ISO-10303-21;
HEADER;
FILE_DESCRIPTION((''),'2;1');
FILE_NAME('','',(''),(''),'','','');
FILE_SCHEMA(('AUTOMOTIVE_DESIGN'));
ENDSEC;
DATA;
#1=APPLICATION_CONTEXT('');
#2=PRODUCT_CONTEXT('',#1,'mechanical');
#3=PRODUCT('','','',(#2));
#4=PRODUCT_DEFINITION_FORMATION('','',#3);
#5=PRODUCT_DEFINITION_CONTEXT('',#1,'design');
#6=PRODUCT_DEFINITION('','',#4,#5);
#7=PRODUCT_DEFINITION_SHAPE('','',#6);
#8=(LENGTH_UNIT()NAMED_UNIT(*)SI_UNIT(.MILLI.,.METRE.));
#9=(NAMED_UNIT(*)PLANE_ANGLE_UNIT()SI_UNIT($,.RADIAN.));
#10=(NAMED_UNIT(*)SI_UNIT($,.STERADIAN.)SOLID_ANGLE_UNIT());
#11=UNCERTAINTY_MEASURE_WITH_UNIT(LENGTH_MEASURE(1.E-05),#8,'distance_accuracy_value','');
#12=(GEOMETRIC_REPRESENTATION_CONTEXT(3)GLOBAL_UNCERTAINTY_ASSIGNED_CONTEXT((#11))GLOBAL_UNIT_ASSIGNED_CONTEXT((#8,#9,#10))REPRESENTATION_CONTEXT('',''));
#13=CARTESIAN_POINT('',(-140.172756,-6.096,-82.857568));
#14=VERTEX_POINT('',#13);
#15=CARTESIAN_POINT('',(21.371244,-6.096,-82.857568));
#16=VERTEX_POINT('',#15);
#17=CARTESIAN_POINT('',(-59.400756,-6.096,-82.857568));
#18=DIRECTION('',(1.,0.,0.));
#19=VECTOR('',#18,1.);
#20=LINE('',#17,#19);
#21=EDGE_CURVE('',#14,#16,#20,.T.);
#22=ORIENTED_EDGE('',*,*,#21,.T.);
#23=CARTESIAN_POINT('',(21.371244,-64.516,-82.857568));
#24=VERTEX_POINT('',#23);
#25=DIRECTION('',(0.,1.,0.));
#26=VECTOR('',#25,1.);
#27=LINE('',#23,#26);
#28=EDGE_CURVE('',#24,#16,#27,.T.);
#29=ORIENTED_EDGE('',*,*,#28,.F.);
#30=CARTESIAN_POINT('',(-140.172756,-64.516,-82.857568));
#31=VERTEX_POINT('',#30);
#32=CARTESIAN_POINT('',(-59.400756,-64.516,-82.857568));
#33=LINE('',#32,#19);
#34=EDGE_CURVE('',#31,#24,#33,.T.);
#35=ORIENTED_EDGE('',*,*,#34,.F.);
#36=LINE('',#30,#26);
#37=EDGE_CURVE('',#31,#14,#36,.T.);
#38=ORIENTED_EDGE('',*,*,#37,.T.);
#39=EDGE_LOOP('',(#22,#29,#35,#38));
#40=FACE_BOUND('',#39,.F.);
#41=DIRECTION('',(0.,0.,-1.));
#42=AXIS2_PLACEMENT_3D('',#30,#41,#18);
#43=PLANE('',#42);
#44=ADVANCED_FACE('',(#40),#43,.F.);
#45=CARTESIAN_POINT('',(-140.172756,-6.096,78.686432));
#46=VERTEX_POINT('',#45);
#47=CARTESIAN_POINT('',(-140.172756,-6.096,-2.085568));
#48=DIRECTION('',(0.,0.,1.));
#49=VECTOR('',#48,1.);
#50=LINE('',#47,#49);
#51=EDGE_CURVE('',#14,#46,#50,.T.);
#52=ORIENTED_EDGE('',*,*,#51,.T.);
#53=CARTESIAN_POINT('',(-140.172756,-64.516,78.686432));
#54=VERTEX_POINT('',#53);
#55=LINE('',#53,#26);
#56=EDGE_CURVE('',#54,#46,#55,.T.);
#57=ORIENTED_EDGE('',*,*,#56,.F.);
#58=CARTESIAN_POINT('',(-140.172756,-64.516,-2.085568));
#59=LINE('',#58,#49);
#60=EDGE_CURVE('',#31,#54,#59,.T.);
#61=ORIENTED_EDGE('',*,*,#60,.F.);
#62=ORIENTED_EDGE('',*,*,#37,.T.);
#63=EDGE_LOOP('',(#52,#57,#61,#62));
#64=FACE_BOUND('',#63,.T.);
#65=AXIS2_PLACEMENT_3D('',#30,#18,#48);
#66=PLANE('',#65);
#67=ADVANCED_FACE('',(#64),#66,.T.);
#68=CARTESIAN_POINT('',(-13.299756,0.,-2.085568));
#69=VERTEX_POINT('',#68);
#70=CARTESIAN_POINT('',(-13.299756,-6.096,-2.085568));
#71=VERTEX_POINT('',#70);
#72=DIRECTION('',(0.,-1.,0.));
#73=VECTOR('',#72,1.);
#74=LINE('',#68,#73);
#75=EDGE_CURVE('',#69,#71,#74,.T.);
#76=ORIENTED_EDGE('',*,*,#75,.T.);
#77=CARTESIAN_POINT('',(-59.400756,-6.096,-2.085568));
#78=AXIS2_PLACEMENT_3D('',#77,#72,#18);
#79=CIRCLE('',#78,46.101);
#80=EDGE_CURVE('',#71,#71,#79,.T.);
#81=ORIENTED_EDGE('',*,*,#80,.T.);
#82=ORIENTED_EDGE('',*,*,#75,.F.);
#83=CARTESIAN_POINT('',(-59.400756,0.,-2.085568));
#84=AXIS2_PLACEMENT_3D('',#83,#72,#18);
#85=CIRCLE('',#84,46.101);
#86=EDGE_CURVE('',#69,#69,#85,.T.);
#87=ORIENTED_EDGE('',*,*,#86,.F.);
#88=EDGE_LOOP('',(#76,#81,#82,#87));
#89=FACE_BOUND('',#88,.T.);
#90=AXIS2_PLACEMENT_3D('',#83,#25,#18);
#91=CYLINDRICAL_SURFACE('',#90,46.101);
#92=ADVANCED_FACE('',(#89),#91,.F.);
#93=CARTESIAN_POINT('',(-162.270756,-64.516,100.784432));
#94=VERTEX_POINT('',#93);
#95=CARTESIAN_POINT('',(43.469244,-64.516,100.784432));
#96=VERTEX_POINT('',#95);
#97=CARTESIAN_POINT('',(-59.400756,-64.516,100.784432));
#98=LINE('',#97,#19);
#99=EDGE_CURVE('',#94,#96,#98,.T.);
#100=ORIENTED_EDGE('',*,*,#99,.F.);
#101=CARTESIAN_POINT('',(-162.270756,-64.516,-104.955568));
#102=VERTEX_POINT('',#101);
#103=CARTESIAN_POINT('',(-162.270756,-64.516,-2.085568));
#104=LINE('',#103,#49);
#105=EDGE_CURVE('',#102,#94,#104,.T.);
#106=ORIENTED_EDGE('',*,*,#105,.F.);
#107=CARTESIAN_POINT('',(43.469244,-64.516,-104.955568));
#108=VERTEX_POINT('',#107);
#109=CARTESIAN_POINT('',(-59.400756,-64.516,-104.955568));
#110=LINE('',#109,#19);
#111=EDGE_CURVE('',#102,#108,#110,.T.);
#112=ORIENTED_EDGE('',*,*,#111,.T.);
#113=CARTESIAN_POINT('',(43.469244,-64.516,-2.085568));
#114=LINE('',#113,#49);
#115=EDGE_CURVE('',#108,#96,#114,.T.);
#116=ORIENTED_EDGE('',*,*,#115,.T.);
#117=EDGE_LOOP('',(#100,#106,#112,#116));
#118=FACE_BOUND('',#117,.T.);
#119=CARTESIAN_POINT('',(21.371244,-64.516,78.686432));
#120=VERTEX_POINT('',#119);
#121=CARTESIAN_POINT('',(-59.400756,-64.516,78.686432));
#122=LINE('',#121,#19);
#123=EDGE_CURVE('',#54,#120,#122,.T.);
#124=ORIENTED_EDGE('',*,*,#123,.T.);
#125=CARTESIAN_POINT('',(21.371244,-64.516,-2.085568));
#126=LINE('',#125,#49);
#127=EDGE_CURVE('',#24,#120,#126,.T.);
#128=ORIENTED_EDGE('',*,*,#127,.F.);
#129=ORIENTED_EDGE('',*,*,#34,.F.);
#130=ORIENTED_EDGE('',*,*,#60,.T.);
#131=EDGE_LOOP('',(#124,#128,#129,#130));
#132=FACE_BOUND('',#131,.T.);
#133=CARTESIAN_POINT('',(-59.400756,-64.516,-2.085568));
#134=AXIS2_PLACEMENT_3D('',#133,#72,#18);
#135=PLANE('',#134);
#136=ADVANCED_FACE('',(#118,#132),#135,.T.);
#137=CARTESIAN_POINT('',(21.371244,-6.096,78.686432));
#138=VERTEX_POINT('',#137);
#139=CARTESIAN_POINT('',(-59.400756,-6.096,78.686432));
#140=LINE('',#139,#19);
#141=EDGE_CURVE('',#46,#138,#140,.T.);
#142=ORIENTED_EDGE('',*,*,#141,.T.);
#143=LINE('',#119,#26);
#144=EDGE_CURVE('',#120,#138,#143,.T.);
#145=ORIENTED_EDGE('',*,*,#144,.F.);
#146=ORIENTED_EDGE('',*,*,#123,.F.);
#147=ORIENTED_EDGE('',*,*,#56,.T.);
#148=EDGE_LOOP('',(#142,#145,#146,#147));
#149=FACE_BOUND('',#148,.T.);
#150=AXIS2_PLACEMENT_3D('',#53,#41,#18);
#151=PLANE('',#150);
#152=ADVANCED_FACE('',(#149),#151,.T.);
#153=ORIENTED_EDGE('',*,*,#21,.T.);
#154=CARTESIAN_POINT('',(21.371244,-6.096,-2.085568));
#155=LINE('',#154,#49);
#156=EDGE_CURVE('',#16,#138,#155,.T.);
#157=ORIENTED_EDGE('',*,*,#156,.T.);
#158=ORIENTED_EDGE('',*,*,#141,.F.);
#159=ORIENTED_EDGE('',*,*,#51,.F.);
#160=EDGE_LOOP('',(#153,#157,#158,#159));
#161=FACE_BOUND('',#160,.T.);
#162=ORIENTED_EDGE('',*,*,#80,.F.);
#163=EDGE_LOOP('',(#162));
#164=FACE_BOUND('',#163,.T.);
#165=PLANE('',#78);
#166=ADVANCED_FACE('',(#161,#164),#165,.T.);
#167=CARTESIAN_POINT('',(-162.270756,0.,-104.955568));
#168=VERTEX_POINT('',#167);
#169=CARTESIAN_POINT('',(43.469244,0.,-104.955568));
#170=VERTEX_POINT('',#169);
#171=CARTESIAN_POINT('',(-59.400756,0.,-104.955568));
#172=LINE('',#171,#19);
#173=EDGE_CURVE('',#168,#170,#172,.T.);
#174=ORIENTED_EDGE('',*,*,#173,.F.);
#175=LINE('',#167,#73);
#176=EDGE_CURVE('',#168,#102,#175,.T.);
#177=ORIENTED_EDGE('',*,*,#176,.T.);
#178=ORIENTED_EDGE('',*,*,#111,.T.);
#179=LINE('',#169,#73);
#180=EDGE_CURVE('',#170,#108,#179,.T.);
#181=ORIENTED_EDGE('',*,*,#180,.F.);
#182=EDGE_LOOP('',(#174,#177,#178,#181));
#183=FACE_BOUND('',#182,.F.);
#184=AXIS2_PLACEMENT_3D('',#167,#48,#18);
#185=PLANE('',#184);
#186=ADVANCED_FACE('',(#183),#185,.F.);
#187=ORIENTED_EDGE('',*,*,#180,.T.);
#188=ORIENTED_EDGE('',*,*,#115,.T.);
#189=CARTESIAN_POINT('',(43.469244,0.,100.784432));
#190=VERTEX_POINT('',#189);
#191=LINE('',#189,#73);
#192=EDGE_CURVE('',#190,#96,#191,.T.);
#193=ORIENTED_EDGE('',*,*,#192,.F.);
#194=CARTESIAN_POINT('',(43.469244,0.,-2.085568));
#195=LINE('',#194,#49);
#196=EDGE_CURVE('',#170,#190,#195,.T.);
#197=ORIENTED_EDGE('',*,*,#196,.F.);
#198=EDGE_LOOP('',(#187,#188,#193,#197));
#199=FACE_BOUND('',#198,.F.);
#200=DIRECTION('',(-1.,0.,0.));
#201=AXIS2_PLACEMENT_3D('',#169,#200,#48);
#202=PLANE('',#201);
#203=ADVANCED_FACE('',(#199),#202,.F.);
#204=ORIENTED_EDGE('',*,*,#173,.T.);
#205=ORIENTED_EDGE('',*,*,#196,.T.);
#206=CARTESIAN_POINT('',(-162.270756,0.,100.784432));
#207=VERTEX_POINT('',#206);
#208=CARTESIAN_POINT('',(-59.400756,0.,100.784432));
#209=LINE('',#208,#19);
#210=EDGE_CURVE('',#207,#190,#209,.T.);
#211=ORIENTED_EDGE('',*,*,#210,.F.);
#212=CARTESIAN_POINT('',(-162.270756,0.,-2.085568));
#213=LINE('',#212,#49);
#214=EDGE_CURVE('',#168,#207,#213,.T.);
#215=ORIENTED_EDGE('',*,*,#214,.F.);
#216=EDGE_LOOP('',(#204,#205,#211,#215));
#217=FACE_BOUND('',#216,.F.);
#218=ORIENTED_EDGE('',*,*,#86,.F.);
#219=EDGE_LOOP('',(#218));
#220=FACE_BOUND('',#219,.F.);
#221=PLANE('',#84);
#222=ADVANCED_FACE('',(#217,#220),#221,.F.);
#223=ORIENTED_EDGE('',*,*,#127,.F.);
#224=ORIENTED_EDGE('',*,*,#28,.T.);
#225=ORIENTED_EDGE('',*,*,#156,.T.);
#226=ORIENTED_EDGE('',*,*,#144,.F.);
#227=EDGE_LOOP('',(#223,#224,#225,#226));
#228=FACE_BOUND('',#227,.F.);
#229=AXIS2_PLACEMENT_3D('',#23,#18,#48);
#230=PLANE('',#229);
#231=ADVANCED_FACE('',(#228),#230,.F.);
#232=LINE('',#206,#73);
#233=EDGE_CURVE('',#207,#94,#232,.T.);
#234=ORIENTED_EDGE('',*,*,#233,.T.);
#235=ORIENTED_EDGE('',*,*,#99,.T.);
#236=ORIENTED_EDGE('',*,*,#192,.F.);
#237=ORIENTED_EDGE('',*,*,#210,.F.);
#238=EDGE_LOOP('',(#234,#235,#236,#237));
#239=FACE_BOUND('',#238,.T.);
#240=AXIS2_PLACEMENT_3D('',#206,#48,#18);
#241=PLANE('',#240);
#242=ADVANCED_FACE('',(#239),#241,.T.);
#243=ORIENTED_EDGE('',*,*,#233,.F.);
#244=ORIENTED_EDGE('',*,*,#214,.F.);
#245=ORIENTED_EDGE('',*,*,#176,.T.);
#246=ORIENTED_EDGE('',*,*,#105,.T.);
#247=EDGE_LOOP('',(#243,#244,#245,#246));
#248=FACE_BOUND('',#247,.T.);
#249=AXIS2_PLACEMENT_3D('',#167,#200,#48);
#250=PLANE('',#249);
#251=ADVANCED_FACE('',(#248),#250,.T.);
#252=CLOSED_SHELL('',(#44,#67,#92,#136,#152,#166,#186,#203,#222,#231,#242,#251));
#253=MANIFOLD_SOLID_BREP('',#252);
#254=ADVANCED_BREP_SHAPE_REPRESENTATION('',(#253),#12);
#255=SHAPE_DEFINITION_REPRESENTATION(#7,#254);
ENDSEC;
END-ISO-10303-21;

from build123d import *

# Parameters (mm, degrees)
F0_W     = 205.74
F0_H     = 205.74
F0_R     = 46.101
F1_DEPTH = 64.516
F2_W     = 161.544
F2_H     = 161.544
F2_R     = 46.101
F3_DEPTH = 58.42


with BuildPart() as f1:
    # F0 (on Front) → F1 (new body)
    with BuildSketch(Plane.XZ):
        with Locations((-59.400756, -2.085568)):
            Rectangle(F0_W, F0_H)
        with Locations((-59.400756, -2.085568)):
            Circle(F0_R, mode=Mode.SUBTRACT)
    extrude(amount=F1_DEPTH)

    # F2 (on face) → F3 (cut)
    with BuildSketch(Plane.XZ.offset(64.516)):
        with Locations((-59.400756, -2.085568)):
            Rectangle(F2_W, F2_H)
        with Locations((-59.400756, -2.085568)):
            Circle(F2_R, mode=Mode.SUBTRACT)
    extrude(amount=-F3_DEPTH, mode=Mode.SUBTRACT)


solid = f1.part
